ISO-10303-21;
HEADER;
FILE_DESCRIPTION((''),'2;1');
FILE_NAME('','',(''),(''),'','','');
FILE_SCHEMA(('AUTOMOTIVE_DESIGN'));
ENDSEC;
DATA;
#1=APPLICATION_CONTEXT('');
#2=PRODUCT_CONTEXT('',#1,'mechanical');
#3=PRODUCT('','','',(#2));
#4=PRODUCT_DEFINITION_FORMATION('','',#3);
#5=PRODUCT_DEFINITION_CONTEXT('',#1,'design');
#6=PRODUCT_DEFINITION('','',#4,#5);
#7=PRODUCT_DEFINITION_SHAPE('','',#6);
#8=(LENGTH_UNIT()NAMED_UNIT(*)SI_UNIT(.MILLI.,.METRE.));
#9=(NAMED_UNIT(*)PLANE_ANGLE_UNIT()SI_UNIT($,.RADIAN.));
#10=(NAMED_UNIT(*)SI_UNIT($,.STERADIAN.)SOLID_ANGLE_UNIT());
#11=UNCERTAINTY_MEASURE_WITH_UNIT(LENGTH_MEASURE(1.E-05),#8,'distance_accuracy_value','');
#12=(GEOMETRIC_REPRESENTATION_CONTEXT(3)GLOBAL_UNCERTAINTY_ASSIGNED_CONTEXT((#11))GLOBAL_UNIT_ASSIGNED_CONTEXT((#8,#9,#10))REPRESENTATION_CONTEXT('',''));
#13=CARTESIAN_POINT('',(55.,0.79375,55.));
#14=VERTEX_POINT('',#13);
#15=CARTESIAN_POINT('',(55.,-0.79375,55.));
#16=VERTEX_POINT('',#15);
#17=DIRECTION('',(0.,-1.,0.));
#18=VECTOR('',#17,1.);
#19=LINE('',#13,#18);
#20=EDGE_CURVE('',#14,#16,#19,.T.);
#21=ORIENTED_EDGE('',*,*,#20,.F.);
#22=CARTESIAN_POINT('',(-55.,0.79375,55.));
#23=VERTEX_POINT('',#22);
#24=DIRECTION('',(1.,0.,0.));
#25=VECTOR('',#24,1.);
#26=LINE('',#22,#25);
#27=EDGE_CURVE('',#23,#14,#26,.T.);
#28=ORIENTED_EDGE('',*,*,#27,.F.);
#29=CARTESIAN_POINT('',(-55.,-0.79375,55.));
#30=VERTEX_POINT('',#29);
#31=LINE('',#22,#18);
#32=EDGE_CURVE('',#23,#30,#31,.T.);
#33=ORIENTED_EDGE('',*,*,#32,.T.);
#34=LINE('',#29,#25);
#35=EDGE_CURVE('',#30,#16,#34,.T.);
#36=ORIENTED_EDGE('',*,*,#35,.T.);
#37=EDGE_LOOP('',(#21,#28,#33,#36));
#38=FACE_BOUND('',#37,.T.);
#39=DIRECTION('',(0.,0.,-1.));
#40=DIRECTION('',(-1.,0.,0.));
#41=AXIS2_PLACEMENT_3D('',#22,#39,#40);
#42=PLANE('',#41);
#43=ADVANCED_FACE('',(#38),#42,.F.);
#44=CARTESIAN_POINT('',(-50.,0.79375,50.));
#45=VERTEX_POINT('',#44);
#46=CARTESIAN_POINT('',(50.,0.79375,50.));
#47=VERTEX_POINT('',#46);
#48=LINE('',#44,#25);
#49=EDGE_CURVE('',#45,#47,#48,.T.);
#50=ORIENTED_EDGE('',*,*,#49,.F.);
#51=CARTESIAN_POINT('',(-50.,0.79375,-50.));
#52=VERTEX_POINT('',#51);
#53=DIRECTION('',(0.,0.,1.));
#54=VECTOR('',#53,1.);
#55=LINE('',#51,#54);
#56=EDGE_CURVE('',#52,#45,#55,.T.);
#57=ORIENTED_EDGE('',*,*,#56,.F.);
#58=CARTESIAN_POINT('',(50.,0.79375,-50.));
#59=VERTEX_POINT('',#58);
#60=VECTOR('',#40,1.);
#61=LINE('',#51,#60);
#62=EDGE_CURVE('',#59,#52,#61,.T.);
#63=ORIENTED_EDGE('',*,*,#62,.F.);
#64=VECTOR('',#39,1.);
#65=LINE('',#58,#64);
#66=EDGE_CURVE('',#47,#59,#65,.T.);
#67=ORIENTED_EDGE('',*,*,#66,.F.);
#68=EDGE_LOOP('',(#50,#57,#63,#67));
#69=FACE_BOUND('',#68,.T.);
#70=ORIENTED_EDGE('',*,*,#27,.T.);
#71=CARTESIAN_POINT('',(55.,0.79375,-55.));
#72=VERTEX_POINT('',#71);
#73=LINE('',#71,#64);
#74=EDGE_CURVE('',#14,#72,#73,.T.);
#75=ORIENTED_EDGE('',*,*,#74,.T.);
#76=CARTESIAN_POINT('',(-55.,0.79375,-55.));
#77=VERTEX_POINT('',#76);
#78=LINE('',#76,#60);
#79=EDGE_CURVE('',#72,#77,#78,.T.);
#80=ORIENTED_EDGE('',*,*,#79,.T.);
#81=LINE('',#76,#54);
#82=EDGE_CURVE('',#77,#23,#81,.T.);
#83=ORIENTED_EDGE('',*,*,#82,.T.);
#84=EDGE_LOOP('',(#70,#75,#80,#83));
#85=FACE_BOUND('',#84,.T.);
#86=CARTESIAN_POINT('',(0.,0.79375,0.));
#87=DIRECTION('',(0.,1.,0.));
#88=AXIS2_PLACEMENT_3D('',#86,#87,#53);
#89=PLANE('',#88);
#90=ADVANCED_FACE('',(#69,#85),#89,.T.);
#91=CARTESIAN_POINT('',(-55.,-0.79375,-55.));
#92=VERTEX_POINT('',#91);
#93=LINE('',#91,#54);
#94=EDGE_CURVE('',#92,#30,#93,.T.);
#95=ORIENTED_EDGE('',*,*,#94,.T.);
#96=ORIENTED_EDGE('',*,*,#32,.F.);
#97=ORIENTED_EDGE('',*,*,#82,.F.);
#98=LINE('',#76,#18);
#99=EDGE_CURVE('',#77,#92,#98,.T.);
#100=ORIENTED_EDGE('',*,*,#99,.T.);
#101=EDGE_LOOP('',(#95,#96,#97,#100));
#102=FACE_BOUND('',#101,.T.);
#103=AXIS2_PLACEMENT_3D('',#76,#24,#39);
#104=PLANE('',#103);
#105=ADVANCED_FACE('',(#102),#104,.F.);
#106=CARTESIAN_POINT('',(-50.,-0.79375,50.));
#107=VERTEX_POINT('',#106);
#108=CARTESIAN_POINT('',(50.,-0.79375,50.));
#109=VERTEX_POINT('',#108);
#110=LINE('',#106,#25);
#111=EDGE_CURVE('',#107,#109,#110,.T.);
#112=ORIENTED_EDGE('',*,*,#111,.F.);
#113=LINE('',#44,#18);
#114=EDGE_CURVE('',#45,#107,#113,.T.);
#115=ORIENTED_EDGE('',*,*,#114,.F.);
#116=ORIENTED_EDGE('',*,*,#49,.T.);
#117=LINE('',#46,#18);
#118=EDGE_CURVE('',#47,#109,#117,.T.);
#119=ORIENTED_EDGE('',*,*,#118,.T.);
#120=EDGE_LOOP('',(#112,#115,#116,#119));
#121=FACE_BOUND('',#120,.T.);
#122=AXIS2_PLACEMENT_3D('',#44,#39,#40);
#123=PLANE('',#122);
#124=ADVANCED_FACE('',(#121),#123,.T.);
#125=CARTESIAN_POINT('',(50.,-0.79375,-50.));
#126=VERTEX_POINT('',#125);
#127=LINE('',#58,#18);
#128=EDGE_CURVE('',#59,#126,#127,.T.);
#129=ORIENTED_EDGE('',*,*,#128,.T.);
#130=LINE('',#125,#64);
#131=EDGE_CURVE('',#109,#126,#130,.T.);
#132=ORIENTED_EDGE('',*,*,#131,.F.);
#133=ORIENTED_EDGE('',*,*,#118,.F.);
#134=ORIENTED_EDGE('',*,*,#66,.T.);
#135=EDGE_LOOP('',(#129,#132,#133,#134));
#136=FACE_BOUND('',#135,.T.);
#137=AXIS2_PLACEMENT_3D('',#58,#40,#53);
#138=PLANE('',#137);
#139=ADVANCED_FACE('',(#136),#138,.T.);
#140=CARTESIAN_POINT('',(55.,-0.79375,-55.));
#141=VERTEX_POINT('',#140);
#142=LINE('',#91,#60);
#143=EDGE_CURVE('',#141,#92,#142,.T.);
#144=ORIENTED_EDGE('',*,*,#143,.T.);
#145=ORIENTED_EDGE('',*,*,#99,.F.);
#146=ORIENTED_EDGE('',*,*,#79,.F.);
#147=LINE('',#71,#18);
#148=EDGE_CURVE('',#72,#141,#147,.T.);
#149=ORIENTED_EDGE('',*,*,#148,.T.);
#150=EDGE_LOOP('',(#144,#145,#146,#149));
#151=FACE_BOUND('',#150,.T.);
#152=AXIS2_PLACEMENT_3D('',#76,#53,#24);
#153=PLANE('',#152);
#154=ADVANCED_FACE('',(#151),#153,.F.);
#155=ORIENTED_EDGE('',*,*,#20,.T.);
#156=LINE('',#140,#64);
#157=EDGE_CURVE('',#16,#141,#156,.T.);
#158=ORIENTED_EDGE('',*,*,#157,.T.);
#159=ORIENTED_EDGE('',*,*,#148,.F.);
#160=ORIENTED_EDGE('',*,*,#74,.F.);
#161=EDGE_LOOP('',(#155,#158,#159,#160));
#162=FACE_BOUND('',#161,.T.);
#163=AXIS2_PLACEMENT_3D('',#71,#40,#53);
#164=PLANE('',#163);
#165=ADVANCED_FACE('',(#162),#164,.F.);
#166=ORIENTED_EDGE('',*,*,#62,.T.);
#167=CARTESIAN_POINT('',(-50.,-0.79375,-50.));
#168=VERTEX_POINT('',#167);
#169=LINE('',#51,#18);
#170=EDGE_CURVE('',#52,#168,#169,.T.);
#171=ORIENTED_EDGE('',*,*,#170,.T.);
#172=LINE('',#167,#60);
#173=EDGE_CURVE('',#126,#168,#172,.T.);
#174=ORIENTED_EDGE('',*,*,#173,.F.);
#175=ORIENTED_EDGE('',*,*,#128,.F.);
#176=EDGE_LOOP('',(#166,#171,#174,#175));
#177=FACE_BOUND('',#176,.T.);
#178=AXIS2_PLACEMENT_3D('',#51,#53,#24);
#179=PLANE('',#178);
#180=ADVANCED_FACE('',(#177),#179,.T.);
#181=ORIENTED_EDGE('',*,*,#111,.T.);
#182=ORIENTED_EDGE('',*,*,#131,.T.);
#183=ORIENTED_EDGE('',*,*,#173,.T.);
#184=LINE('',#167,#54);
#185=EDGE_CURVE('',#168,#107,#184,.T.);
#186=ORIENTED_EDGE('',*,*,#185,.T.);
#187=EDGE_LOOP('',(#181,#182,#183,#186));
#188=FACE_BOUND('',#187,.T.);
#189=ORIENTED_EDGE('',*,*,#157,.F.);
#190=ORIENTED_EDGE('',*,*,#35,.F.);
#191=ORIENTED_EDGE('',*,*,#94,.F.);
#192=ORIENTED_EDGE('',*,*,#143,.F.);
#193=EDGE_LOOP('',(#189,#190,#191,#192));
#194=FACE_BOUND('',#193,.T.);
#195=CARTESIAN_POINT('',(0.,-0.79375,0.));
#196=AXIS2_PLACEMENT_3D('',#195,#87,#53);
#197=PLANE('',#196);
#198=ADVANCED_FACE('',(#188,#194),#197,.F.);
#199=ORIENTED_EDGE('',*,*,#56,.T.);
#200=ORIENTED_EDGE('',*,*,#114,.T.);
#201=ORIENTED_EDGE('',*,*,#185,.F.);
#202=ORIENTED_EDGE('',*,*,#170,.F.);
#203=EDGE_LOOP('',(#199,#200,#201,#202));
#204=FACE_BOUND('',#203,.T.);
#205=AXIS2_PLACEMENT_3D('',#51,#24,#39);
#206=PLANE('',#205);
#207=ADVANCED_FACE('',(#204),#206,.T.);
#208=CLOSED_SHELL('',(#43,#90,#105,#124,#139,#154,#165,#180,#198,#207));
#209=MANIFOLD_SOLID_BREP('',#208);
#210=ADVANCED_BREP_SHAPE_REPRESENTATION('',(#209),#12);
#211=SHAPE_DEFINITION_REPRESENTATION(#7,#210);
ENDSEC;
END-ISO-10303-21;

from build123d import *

# Parameters (mm, degrees)
SKETCH1_W           = 110
SKETCH1_H           = 110
SKETCH1_W_2         = 100
SKETCH1_H_2         = 100
BOSS_EXTRUDE1_DEPTH = 0.79375


with BuildPart() as part:
    # Sketch1 → Boss-Extrude1 (new body, symmetric)
    with BuildSketch(Plane(origin=(0, 0, 0), x_dir=(1, 0, 0), z_dir=(0, 1, 0))):
        Rectangle(SKETCH1_W, SKETCH1_H)
        Rectangle(SKETCH1_W_2, SKETCH1_H_2, mode=Mode.SUBTRACT)
    extrude(amount=BOSS_EXTRUDE1_DEPTH, both=True)


solid = part.part
